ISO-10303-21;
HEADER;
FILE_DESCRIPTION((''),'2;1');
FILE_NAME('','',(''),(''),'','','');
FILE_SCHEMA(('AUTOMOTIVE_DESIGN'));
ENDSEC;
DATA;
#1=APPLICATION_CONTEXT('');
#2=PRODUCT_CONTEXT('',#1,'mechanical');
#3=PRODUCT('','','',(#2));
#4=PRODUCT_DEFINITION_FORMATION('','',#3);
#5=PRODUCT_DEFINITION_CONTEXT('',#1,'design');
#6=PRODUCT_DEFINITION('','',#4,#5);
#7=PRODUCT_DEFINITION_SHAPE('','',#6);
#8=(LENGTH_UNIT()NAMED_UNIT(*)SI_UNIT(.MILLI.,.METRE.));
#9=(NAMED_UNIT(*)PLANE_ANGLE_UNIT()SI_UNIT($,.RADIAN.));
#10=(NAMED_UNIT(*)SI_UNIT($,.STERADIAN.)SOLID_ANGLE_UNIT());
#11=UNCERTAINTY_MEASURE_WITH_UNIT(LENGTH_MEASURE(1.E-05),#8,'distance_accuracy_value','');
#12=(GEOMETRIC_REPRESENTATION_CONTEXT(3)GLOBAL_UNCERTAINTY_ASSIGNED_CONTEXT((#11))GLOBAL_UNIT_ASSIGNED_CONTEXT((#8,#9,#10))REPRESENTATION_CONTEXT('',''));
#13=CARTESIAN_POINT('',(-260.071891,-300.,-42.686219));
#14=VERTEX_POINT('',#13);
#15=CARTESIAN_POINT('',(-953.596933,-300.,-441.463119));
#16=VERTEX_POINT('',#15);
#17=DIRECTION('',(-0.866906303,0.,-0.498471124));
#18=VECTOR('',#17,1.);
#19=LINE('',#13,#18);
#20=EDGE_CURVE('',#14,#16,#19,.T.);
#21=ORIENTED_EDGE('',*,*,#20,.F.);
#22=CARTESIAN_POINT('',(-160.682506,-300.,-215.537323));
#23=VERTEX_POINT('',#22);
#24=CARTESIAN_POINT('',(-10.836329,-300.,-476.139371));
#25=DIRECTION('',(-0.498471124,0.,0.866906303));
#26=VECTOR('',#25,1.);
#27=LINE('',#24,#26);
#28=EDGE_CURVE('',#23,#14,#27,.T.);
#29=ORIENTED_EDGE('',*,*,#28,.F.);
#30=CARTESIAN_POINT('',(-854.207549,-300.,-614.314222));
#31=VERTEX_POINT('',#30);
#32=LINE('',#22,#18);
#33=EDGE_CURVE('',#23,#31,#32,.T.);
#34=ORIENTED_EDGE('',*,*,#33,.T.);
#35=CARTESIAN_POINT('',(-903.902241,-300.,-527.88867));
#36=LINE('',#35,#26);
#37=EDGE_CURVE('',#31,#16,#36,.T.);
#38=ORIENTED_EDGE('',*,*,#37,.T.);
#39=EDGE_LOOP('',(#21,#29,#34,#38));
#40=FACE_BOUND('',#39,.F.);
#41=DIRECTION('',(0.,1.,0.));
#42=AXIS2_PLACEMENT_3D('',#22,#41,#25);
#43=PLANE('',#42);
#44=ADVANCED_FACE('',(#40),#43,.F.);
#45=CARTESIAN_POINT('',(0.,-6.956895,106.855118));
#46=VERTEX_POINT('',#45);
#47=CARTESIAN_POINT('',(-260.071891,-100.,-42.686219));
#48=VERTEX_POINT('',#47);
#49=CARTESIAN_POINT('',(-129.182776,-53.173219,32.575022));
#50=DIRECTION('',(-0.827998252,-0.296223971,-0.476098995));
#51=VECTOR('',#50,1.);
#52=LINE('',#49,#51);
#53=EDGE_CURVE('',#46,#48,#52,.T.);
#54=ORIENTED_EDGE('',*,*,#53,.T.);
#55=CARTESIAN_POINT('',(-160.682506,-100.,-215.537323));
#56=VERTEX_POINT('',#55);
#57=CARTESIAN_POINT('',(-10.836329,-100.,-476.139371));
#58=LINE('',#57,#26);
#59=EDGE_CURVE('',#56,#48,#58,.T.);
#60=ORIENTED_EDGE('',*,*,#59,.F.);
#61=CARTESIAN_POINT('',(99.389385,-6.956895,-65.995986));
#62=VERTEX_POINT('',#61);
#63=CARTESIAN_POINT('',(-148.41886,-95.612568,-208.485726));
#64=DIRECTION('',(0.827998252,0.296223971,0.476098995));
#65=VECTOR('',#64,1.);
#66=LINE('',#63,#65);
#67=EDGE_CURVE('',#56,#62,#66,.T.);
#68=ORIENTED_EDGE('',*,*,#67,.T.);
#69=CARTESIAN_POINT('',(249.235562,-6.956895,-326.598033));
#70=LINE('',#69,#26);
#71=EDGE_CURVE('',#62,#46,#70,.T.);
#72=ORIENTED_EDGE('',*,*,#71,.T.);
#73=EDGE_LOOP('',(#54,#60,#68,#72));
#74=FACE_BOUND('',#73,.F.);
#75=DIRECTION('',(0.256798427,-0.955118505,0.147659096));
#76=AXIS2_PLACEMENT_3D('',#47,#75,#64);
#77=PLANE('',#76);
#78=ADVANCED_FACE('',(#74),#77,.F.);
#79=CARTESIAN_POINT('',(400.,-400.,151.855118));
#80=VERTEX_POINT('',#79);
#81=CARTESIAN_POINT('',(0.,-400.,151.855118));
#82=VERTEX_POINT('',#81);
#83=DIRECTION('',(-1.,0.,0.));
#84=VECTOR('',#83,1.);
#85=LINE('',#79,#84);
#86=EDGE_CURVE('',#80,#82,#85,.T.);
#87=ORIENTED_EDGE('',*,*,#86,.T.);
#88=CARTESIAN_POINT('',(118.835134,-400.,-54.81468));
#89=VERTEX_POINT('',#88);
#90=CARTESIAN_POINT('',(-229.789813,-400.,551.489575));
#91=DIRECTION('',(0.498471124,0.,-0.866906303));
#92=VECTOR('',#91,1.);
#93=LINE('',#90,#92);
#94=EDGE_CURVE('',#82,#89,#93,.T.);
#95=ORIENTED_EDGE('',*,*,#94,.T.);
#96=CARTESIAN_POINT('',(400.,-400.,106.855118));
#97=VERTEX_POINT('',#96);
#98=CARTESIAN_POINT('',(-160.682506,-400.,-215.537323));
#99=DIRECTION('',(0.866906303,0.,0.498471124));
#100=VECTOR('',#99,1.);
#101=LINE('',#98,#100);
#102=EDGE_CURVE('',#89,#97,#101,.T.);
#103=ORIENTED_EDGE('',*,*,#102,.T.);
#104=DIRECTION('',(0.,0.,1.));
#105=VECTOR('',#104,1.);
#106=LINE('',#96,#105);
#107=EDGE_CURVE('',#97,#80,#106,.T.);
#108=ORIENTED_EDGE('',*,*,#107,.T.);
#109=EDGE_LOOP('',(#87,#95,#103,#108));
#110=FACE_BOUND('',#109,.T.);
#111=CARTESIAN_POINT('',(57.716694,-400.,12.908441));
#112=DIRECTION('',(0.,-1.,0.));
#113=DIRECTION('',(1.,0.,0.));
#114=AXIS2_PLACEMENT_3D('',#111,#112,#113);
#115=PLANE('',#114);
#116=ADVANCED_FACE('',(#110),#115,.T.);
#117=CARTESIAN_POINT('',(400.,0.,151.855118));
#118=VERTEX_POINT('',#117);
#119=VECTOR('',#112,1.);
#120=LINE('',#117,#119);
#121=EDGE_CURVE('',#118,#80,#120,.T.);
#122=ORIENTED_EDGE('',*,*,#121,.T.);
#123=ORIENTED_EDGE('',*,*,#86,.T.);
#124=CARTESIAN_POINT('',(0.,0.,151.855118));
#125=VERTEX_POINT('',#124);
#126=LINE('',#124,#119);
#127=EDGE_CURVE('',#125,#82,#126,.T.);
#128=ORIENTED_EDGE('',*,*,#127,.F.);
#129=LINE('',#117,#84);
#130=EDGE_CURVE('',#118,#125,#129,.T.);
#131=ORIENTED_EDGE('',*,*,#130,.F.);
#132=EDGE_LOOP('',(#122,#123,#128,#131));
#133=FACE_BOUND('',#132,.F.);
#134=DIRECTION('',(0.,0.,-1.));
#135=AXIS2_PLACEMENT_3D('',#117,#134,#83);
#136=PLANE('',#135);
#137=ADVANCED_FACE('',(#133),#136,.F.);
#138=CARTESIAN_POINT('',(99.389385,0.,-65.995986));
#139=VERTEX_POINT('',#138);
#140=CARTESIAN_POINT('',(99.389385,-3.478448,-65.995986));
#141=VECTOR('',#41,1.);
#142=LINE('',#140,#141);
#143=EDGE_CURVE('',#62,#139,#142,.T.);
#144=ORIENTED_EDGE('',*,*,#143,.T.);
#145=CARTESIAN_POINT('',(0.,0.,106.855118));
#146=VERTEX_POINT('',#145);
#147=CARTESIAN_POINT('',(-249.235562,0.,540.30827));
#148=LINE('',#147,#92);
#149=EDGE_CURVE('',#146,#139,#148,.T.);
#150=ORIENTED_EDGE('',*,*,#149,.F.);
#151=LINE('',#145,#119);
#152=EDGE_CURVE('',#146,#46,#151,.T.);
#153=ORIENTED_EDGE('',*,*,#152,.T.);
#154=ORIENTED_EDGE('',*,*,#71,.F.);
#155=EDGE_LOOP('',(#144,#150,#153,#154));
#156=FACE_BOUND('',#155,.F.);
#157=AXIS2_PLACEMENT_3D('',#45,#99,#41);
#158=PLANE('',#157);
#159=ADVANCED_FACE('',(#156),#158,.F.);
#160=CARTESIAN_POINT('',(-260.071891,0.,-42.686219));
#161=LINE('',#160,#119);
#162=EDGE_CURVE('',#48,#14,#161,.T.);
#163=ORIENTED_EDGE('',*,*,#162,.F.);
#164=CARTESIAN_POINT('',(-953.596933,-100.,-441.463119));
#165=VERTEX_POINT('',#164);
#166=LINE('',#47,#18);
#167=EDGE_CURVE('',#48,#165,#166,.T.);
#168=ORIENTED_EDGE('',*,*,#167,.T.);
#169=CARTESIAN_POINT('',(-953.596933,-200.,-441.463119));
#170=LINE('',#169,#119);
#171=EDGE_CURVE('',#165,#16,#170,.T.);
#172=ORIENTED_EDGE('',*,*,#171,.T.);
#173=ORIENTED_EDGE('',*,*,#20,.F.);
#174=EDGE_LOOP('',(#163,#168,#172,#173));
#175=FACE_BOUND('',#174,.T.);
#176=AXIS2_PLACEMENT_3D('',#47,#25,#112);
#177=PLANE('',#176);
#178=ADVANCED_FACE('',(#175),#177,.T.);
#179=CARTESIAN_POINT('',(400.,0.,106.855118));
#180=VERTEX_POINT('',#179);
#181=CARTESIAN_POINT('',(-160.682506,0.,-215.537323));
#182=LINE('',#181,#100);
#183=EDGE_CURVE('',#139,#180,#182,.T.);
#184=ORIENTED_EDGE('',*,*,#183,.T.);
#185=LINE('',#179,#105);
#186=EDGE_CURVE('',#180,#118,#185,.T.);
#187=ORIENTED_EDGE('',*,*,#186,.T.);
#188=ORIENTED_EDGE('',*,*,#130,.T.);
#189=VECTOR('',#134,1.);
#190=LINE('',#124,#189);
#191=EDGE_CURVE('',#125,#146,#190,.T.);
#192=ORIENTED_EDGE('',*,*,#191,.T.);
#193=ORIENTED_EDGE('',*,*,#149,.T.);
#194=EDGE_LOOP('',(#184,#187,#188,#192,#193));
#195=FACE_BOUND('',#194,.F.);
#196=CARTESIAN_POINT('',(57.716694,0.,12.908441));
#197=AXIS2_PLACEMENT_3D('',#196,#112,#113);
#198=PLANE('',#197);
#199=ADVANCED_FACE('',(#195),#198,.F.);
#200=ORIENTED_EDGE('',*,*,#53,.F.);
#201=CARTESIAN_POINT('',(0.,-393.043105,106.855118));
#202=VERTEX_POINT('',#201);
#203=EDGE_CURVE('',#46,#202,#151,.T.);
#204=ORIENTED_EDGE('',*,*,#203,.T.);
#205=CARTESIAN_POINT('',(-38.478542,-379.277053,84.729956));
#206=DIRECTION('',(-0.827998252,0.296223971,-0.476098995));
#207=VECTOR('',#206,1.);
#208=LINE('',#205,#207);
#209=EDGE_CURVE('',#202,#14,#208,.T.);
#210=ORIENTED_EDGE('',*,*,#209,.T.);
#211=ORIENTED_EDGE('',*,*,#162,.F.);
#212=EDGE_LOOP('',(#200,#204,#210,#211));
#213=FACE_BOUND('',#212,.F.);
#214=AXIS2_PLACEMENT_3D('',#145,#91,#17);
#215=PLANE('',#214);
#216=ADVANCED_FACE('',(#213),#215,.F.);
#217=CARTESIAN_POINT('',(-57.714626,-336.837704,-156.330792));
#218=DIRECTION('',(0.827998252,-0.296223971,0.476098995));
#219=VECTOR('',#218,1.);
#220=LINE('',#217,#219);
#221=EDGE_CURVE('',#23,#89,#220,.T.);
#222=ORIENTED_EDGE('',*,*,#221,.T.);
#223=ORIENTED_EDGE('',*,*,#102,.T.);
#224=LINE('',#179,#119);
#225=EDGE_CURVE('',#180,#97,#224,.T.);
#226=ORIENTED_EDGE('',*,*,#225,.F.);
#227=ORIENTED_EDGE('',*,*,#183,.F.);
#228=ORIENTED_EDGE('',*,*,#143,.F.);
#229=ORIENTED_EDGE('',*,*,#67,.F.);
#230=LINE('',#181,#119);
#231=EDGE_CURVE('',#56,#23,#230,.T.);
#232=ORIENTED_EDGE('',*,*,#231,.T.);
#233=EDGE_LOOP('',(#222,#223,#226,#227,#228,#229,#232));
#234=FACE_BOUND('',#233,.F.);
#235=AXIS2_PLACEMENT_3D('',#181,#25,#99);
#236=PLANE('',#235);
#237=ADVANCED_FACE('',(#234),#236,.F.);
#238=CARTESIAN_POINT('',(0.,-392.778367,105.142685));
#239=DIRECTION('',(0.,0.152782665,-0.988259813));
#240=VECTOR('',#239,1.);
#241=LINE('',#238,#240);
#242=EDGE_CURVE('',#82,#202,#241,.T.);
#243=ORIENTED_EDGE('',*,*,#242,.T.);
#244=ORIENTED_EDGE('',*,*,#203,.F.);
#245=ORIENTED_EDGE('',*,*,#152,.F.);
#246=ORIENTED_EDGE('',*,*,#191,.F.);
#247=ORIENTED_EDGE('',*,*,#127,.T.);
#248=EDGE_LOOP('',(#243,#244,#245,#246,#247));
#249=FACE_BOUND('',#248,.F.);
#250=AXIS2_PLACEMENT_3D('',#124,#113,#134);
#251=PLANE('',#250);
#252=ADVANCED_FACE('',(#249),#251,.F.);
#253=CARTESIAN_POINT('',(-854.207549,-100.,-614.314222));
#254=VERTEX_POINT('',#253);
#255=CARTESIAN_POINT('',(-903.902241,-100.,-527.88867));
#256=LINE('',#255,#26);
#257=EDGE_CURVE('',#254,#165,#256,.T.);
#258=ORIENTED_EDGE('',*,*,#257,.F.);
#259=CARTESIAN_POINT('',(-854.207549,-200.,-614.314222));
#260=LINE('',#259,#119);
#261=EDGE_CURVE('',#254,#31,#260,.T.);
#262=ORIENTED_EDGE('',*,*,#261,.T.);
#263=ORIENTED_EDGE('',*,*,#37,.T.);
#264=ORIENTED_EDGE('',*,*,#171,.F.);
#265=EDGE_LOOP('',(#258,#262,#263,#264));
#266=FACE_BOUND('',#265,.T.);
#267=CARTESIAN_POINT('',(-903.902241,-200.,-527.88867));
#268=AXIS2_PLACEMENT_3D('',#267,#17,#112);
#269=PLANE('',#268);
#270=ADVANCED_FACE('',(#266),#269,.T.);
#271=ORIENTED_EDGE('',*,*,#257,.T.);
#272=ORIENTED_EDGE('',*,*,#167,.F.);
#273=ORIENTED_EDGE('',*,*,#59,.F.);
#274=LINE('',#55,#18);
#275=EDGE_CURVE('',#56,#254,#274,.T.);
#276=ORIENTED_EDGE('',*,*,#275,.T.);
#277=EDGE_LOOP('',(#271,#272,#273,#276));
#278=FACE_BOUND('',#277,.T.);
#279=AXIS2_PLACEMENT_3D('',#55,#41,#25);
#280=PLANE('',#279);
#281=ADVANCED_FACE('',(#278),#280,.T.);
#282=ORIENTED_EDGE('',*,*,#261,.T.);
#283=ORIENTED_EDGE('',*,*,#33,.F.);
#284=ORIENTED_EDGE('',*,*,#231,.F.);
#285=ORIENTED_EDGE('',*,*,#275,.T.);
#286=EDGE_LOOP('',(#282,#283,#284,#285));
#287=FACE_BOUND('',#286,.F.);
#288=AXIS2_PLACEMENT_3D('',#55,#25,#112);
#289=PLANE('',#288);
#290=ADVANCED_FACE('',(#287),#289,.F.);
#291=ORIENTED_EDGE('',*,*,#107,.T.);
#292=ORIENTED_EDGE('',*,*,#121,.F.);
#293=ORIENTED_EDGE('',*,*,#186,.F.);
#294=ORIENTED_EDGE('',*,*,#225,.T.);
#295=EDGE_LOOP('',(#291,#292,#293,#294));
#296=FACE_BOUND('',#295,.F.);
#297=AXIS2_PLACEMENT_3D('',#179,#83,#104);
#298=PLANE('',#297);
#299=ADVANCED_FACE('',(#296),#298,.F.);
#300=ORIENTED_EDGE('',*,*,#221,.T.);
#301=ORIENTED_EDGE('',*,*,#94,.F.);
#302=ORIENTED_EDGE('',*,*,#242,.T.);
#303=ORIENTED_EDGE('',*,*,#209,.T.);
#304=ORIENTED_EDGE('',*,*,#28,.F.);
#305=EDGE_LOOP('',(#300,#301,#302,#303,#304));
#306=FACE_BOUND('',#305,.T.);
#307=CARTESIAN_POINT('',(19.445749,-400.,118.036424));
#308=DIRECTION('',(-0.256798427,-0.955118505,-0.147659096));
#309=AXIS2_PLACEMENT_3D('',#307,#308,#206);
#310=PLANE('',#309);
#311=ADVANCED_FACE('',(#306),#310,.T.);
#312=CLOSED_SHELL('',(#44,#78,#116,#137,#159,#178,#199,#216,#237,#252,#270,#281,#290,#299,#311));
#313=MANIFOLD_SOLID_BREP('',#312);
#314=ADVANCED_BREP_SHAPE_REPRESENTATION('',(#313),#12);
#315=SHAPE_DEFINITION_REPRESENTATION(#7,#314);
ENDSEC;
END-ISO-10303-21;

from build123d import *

# Parameters (mm, degrees)
F1_DEPTH = 400
F3_DEPTH = 500
F4_W     = 200
F4_H     = 199.3884497032
F5_DEPTH = 800


with BuildPart() as f1:
    # F0 (on Front) → F1 (new body)
    with BuildSketch(Plane.XZ):
        Polygon((400, 151.8551181662), (0, 151.8551181662), (0, 106.8551181662), (-260.0718909173, -42.6862191112), (-160.6825062296, -215.5373229158), (400, 106.8551181662), align=None)
    extrude(amount=F1_DEPTH)

    # F2 (on face) → F3 (cut, symmetric)
    with BuildSketch(Plane(origin=(-46.1750628055, 0, 80.3044570531), x_dir=(0.8669063031, 0, 0.4984711243), z_dir=(-0.4984711243, 0, 0.8669063031))):
        Polygon((75.6953914767, -400), (-246.735809115, -300), (-246.735809115, -400), align=None)
        Polygon((-246.735809115, 0), (-246.735809115, -100), (53.264190885, -6.956895161), (53.264190885, 0), align=None)
    extrude(amount=F3_DEPTH, both=True, mode=Mode.SUBTRACT)

    # F4 (on face) → F5 (join)
    with BuildSketch(Plane(origin=(-213.8968281118, 0, -122.9906761643), x_dir=(0, -1, 0), z_dir=(-0.8669063031, 0, -0.4984711243))):
        with Locations((200, -7.0608493994)):
            Rectangle(F4_W, F4_H)
    extrude(amount=F5_DEPTH)


solid = f1.part
